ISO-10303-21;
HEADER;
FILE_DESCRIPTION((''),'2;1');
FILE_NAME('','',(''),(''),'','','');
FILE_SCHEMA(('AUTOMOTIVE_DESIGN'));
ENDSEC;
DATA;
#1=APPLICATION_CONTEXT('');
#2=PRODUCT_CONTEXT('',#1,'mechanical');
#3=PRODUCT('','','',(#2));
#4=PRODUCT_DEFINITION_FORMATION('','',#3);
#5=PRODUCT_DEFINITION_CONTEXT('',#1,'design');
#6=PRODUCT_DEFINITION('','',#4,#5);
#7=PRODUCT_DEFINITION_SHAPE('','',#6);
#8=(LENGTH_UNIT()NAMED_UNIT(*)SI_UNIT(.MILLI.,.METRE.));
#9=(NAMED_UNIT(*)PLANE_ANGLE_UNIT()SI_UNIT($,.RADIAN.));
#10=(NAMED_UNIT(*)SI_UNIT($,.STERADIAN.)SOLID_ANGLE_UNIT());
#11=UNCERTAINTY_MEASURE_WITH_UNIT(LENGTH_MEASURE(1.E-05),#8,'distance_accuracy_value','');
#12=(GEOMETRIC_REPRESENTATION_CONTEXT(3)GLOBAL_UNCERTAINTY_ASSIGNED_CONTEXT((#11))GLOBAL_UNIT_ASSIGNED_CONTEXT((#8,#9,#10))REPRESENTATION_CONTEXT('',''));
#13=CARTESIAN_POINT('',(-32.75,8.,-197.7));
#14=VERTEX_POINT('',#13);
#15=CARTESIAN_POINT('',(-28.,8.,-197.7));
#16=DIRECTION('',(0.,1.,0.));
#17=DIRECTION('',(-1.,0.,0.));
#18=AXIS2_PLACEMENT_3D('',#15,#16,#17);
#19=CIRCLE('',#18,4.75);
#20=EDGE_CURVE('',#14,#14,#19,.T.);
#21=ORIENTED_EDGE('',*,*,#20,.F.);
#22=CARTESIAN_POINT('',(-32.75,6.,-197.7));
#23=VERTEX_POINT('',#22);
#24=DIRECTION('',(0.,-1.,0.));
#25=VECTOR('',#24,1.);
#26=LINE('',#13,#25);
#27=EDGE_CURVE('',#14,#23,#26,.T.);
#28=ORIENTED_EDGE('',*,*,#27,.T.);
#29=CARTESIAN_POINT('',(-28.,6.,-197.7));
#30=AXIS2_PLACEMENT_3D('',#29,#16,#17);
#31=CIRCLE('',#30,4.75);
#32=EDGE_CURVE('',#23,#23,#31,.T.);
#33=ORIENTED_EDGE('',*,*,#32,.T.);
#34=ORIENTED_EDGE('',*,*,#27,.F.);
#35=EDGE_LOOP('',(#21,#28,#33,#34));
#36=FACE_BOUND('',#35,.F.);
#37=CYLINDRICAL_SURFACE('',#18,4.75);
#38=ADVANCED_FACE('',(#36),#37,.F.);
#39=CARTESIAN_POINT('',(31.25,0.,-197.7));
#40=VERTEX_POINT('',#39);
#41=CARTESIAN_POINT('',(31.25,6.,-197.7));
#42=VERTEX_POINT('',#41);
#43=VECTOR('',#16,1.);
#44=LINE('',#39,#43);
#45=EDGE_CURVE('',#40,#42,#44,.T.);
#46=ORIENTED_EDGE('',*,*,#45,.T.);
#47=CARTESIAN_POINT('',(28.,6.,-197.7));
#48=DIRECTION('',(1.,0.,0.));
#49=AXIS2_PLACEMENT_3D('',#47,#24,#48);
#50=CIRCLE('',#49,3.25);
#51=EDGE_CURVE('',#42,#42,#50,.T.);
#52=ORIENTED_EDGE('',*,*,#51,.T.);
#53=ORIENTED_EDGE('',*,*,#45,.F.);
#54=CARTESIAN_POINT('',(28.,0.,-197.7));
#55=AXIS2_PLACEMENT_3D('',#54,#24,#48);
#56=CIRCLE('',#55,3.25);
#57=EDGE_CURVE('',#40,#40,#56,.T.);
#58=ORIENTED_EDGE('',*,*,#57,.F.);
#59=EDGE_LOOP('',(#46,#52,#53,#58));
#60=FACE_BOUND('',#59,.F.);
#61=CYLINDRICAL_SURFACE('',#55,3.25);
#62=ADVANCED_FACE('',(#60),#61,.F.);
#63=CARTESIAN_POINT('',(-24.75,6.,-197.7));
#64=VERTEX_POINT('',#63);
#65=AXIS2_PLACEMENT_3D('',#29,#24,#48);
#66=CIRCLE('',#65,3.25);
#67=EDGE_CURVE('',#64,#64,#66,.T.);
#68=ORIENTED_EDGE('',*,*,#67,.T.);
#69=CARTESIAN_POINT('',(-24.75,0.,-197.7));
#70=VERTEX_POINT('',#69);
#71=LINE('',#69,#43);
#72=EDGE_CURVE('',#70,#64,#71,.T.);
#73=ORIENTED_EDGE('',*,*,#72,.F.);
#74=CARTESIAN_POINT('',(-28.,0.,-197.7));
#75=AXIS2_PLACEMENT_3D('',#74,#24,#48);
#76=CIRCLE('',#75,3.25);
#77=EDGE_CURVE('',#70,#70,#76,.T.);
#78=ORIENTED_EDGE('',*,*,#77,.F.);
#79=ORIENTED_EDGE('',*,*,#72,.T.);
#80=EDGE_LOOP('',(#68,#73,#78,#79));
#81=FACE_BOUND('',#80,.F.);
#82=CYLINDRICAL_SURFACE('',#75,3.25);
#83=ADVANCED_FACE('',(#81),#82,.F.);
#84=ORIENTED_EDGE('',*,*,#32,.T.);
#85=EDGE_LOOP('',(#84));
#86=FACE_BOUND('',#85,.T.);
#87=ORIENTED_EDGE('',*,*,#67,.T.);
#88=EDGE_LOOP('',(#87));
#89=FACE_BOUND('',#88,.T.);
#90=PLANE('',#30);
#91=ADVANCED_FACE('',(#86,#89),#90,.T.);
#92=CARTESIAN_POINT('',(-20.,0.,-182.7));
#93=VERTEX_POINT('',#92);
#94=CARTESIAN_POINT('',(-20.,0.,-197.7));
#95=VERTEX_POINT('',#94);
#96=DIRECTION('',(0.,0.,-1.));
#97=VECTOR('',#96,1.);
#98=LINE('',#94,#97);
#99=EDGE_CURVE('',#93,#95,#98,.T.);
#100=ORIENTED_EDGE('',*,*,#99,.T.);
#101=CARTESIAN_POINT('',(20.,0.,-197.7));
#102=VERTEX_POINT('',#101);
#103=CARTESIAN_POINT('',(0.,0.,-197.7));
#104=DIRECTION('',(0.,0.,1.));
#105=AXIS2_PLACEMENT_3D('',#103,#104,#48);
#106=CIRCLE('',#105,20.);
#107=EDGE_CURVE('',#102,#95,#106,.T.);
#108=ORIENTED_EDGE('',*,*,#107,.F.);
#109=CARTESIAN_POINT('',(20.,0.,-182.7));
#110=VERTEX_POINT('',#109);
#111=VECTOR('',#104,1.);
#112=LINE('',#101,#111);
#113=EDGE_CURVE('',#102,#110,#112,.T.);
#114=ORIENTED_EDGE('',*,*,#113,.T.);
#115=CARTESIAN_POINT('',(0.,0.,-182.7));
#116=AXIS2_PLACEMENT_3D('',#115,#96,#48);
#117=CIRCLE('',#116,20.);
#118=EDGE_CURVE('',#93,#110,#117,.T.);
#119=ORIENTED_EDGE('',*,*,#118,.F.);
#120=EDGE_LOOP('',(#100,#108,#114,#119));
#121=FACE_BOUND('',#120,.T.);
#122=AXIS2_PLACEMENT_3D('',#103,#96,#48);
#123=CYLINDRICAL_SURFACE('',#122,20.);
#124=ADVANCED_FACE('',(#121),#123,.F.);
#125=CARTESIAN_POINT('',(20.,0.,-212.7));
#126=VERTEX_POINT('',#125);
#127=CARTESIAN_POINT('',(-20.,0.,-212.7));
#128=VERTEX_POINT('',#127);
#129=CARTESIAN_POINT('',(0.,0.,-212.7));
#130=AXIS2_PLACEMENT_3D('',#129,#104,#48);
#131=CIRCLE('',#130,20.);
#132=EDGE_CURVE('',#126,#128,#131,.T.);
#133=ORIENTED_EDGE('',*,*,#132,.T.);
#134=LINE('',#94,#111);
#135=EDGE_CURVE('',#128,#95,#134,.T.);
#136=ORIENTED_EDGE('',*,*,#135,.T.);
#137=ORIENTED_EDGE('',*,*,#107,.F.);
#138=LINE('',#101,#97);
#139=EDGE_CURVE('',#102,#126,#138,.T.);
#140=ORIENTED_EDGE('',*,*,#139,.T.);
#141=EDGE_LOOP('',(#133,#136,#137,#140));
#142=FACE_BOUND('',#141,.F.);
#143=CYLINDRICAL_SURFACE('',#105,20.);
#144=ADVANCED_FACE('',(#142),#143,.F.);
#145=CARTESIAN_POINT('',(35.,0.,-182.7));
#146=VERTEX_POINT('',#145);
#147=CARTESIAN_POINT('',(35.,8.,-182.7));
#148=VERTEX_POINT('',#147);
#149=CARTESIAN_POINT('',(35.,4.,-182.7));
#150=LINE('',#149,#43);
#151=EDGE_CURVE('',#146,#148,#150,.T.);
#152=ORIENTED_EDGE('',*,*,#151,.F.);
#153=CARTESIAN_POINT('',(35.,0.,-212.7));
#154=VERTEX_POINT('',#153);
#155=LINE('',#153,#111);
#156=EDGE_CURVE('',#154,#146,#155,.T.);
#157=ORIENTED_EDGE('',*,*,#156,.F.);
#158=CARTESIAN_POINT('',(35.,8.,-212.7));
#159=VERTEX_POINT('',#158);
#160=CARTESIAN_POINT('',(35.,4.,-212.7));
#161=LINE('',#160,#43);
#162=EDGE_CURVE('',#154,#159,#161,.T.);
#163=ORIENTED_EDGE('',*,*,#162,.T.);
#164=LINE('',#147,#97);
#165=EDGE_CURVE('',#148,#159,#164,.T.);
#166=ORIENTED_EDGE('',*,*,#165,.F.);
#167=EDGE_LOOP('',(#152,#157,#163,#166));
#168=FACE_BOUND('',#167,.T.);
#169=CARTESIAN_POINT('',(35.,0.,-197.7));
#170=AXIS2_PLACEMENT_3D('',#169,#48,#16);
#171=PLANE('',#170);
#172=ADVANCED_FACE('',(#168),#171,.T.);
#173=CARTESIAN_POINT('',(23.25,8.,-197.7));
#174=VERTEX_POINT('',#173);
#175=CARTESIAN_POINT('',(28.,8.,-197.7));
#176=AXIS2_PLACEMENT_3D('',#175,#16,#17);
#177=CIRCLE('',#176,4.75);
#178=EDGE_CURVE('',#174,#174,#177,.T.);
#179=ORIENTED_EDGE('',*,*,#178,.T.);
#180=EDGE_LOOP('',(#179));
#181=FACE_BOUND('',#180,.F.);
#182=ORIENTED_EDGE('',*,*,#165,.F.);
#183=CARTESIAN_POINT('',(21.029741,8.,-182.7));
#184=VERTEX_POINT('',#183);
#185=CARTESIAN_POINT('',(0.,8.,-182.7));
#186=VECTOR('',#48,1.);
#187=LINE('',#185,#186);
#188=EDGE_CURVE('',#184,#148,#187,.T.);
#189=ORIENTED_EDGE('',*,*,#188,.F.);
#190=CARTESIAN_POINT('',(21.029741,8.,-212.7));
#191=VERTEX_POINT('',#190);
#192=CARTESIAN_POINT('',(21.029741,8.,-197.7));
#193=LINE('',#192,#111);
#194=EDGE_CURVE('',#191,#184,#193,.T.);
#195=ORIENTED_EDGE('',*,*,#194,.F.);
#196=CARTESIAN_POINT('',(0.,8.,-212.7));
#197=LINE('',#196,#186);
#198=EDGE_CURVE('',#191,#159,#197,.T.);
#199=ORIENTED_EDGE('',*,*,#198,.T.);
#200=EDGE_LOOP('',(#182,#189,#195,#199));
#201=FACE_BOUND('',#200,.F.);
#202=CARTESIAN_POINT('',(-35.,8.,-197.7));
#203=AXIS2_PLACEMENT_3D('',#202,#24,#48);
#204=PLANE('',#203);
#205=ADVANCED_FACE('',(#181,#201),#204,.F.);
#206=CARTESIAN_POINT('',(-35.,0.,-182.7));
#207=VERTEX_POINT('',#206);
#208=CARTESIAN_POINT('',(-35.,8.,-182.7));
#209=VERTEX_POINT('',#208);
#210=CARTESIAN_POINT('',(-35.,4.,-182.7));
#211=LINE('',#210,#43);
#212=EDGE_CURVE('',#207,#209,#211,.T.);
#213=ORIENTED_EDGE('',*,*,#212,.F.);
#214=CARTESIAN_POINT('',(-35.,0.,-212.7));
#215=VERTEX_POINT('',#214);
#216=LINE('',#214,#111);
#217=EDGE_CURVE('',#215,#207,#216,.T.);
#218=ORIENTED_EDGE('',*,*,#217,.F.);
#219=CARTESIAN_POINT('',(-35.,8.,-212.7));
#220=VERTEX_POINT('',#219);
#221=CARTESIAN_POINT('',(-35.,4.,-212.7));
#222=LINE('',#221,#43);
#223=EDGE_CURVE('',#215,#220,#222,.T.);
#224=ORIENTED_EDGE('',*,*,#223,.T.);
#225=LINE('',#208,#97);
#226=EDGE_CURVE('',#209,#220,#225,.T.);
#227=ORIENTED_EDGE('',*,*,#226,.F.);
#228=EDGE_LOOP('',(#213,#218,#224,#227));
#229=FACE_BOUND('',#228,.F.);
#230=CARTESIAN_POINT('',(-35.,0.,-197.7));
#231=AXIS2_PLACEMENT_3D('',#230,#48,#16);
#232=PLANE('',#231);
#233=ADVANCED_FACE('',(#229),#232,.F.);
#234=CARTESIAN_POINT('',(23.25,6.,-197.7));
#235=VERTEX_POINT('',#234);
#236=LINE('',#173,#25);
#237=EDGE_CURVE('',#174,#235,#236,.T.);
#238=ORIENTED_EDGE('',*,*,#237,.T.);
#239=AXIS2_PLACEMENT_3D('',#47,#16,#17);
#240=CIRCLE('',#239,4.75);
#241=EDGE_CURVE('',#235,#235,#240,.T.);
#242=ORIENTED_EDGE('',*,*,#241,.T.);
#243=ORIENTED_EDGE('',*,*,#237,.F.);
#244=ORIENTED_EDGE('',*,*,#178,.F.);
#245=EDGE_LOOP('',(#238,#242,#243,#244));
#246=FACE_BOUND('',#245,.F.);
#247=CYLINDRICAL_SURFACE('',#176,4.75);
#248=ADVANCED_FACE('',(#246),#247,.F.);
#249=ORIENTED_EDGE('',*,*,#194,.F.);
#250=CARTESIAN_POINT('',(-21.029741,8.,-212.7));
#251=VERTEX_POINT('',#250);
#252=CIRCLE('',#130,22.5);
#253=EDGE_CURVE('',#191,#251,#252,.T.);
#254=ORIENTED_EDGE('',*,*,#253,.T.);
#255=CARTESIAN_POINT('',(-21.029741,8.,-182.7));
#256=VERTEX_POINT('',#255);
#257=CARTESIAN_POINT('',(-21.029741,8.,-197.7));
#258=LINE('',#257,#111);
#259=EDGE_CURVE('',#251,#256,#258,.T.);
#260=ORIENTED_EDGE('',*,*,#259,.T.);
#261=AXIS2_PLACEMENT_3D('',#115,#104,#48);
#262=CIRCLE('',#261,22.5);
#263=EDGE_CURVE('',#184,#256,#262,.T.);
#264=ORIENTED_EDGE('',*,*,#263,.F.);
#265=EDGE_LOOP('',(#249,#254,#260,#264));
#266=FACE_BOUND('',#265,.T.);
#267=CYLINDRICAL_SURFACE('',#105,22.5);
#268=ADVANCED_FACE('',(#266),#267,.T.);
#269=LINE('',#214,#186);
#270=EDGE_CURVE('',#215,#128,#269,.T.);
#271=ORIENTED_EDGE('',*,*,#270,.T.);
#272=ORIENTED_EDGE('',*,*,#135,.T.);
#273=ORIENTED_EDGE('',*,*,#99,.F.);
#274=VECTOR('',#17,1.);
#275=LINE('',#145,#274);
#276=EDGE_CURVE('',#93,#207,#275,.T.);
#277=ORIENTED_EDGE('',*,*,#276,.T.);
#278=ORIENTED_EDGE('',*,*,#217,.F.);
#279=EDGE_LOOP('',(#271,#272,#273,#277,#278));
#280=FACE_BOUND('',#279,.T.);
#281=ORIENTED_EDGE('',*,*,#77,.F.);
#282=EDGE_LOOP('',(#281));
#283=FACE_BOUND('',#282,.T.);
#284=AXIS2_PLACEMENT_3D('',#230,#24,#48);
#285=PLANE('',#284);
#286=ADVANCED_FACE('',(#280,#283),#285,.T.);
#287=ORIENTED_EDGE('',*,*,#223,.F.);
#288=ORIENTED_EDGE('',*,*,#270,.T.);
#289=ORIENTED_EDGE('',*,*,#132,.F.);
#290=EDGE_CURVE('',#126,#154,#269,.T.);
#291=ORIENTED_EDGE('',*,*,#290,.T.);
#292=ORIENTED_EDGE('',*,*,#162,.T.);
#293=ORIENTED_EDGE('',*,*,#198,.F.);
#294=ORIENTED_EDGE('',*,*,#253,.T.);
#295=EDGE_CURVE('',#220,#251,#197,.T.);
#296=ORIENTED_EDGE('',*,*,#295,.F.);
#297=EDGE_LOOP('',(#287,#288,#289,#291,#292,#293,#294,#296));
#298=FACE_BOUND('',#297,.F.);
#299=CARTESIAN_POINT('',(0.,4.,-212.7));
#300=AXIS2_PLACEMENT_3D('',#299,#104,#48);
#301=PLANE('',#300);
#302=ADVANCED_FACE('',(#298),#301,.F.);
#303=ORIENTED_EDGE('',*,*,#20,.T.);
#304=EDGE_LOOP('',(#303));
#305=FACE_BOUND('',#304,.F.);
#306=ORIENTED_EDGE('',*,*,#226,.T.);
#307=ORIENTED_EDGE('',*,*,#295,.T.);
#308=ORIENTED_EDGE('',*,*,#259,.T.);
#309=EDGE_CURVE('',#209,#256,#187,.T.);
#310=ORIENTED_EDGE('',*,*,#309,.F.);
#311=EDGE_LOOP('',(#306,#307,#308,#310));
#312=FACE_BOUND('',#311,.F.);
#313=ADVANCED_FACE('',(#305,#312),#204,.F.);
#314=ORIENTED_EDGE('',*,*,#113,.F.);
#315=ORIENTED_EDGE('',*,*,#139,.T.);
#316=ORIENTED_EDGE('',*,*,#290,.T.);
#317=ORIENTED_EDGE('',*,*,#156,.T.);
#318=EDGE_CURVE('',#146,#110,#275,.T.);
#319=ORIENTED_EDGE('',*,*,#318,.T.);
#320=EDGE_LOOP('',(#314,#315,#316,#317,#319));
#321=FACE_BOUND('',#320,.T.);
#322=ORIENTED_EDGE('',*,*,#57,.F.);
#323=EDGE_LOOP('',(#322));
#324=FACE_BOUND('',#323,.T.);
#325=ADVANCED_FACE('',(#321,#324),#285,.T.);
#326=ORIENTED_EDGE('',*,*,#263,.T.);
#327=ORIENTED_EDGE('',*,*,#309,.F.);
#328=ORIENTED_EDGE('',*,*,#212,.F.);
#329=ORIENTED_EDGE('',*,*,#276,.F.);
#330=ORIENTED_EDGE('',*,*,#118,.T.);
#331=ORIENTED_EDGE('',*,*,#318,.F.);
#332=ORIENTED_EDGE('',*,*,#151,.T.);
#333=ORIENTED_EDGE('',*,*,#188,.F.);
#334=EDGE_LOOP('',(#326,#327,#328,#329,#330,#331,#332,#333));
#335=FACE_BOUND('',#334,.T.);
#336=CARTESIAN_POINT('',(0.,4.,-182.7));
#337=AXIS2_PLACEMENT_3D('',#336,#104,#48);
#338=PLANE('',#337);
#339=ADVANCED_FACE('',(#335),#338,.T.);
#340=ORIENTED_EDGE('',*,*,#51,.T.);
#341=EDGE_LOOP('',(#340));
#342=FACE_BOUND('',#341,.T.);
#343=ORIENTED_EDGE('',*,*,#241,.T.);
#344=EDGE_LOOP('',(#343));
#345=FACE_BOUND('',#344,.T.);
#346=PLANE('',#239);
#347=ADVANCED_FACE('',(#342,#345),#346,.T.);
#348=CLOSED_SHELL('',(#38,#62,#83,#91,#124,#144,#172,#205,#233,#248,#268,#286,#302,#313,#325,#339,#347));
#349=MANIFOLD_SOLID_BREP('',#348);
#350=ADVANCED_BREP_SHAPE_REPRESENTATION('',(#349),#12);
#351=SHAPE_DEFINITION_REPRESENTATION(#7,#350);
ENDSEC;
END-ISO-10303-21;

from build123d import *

# Parameters (mm, degrees)
SKETCH067_R          = 22.5
PAD023_DEPTH         = 15
SKETCH073_W          = 45
SKETCH073_H          = 22.5
POCKET041_DEPTH      = 15.001
POCKET041_DEPTH_BACK = 15.001
SKETCH072_W          = 70
SKETCH072_H          = 8
PAD025_DEPTH         = 15
SKETCH069_R          = 20
POCKET042_DEPTH      = 15.001
POCKET042_DEPTH_BACK = 15.001
SKETCH074_R          = 3.25
POCKET043_DEPTH      = 22.501
SKETCH075_R          = 4.75
POCKET047_DEPTH      = 2


with BuildPart() as part:
    # Sketch067 → Pad023 (new body, symmetric)
    with BuildSketch(Plane.XY):
        Circle(SKETCH067_R)
    extrude(amount=PAD023_DEPTH, both=True)

    # Sketch073 → Pocket041 (cut, two sides)
    with BuildSketch(Plane.XY) as pocket041_sk:
        with Locations((0, -11.25)):
            Rectangle(SKETCH073_W, SKETCH073_H)
    extrude(amount=-POCKET041_DEPTH, mode=Mode.SUBTRACT)
    extrude(pocket041_sk.sketch, amount=POCKET041_DEPTH_BACK, mode=Mode.SUBTRACT)

    # Sketch072 → Pad025 (join, symmetric)
    with BuildSketch(Plane.XY):
        with Locations((0, 4)):
            Rectangle(SKETCH072_W, SKETCH072_H)
    extrude(amount=PAD025_DEPTH, both=True)

    # Sketch069 → Pocket042 (cut, two sides)
    with BuildSketch(Plane.XY) as pocket042_sk:
        Circle(SKETCH069_R)
    extrude(amount=-POCKET042_DEPTH, mode=Mode.SUBTRACT)
    extrude(pocket042_sk.sketch, amount=POCKET042_DEPTH_BACK, mode=Mode.SUBTRACT)

    # Sketch074 → Pocket043 (cut, through all)
    with BuildSketch(Plane.XZ):
        with Locations((28, 0)):
            Circle(SKETCH074_R)
        with Locations((-28, 0)):
            Circle(SKETCH074_R)
    extrude(amount=-POCKET043_DEPTH, mode=Mode.SUBTRACT)

    # Sketch075 (on Face13 of Pocket043) → Pocket047 (cut)
    with BuildSketch(Plane(origin=(0, 8, 0), x_dir=(-1, 0, 0), z_dir=(0, 1, 0))):
        with Locations((28, 0)):
            Circle(SKETCH075_R)
        with Locations((-28, 0)):
            Circle(SKETCH075_R)
    extrude(amount=-POCKET047_DEPTH, mode=Mode.SUBTRACT)


with BuildPart() as part_1:
    # Body010 placement: moved
    add(part.part.moved(Location((0, 0, -197.7))))


solid = part_1.part
